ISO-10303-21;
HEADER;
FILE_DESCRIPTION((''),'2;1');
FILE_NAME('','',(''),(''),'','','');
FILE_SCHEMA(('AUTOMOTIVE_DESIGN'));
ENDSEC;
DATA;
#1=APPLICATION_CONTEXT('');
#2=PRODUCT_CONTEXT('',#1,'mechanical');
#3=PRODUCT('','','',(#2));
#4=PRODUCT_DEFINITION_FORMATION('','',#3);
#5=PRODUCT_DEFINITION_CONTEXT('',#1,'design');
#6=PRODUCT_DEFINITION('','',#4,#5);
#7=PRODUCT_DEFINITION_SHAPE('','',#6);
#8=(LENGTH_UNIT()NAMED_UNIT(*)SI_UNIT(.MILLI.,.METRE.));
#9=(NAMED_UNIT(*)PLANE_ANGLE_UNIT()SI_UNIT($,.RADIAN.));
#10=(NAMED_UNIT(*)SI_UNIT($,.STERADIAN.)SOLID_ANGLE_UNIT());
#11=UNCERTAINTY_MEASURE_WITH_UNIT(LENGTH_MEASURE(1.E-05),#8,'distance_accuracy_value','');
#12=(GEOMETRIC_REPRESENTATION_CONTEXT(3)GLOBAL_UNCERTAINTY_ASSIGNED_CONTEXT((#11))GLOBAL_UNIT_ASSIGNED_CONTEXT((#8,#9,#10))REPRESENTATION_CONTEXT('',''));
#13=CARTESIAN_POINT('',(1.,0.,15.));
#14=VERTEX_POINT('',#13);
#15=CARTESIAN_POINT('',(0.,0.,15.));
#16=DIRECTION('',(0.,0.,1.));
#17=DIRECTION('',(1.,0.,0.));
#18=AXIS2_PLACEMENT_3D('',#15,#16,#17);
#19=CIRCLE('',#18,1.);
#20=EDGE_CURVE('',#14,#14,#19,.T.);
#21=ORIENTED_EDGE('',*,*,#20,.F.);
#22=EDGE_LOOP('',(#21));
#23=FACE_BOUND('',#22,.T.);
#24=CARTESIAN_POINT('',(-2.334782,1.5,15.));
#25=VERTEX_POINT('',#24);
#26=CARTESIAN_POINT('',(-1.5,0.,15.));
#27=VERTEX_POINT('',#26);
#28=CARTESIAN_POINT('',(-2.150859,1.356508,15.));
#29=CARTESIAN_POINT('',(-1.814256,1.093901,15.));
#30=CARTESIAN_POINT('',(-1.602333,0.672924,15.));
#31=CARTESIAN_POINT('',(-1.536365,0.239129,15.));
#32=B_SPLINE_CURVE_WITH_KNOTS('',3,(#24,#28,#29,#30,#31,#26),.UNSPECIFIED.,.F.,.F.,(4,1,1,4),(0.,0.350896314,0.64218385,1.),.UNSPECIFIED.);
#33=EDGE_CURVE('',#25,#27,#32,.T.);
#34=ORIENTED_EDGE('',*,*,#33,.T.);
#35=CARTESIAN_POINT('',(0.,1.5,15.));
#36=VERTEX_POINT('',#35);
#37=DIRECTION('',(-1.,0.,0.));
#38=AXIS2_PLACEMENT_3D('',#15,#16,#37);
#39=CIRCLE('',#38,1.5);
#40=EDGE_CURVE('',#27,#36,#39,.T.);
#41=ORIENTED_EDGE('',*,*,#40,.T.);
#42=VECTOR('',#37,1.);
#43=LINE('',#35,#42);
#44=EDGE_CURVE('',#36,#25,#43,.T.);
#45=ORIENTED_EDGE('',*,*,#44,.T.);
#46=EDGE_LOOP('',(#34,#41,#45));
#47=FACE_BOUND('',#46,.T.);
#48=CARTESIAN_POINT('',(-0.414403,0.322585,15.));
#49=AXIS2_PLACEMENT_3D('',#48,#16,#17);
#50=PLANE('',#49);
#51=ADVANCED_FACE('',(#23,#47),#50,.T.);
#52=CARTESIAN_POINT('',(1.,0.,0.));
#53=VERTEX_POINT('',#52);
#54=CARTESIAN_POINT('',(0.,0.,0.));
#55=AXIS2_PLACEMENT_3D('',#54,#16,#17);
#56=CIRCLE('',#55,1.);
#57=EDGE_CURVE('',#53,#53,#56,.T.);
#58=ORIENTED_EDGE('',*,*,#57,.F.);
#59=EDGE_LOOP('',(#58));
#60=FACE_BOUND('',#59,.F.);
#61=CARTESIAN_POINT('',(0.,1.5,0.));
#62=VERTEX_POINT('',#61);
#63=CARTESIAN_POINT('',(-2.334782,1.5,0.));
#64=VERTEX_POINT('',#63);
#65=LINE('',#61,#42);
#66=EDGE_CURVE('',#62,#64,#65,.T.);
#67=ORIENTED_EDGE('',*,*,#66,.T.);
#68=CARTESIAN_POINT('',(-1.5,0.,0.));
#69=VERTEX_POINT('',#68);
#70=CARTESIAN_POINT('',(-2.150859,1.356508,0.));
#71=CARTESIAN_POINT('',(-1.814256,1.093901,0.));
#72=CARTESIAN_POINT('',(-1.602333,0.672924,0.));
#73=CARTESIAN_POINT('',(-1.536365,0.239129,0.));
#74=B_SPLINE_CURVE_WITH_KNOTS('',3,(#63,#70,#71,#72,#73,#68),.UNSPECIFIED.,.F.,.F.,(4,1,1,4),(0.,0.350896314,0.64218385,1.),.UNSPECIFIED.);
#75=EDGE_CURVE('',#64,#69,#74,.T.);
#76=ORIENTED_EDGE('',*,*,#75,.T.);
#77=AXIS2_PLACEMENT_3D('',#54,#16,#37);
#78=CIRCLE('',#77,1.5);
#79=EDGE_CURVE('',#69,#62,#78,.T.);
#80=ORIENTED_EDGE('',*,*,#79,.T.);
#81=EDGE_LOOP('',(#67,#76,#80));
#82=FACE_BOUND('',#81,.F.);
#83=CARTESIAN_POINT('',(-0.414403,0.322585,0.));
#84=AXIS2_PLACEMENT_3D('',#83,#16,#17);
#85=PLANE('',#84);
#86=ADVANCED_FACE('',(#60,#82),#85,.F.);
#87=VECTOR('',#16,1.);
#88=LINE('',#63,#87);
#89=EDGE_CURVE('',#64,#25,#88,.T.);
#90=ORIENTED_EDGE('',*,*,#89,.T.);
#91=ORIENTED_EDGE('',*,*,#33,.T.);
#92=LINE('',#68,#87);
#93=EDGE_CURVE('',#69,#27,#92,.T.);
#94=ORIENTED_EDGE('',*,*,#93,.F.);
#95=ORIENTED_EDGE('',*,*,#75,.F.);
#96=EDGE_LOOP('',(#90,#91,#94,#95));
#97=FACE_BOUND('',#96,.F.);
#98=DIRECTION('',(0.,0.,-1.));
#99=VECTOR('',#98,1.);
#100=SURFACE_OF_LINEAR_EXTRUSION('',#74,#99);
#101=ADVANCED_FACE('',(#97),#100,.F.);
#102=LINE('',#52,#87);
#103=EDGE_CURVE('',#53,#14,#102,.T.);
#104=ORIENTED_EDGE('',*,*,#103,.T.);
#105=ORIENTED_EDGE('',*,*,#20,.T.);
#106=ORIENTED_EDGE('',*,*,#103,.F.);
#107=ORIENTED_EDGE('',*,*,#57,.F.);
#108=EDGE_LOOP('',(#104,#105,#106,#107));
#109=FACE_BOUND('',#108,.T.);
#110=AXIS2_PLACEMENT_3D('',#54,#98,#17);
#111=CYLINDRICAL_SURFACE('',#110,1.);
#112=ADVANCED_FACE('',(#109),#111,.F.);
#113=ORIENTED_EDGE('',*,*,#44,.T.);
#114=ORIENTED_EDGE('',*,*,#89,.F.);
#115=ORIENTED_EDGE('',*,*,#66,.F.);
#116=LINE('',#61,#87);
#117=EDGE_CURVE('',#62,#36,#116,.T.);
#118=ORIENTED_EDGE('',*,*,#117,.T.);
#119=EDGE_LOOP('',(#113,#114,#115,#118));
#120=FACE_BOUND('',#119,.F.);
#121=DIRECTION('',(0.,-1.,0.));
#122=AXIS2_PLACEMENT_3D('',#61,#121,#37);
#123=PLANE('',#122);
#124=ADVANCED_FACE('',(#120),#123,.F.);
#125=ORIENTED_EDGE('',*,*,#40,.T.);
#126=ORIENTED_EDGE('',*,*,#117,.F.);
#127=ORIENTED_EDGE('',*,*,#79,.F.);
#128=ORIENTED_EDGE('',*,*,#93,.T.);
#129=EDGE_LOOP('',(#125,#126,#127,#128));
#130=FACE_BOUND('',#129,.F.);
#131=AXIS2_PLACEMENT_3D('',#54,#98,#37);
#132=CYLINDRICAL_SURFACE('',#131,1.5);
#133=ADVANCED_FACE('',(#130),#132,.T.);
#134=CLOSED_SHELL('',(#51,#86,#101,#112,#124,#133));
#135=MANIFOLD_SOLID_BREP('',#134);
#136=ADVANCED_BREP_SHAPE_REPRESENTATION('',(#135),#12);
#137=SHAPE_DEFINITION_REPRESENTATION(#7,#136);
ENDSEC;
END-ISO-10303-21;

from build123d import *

# Parameters (mm, degrees)
F0_R     = 1
F1_DEPTH = 15


with BuildPart() as f1:
    # F0 (on Top) → F1 (new body)
    with BuildSketch(Plane.XY):
        with BuildLine():
            add(Edge.make_bspline(
                [(-2.3347819224, 1.5), (-2.1508585648, 1.3565082639), (-1.81425597, 1.0939005597), (-1.6023326906, 0.6729244892), (-1.536364652, 0.2391285198), (-1.5, 0)],
                knots=[0, 0, 0, 0, 0.3508963145, 0.6421838504, 1, 1, 1, 1], degree=3))
            ThreePointArc((-1.5, 0), (1.0606601718, -1.0606601718), (0, 1.5))
            Line((0, 1.5), (-2.3347819224, 1.5))
        make_face()
        Circle(F0_R, mode=Mode.SUBTRACT)
    extrude(amount=F1_DEPTH)


solid = f1.part
